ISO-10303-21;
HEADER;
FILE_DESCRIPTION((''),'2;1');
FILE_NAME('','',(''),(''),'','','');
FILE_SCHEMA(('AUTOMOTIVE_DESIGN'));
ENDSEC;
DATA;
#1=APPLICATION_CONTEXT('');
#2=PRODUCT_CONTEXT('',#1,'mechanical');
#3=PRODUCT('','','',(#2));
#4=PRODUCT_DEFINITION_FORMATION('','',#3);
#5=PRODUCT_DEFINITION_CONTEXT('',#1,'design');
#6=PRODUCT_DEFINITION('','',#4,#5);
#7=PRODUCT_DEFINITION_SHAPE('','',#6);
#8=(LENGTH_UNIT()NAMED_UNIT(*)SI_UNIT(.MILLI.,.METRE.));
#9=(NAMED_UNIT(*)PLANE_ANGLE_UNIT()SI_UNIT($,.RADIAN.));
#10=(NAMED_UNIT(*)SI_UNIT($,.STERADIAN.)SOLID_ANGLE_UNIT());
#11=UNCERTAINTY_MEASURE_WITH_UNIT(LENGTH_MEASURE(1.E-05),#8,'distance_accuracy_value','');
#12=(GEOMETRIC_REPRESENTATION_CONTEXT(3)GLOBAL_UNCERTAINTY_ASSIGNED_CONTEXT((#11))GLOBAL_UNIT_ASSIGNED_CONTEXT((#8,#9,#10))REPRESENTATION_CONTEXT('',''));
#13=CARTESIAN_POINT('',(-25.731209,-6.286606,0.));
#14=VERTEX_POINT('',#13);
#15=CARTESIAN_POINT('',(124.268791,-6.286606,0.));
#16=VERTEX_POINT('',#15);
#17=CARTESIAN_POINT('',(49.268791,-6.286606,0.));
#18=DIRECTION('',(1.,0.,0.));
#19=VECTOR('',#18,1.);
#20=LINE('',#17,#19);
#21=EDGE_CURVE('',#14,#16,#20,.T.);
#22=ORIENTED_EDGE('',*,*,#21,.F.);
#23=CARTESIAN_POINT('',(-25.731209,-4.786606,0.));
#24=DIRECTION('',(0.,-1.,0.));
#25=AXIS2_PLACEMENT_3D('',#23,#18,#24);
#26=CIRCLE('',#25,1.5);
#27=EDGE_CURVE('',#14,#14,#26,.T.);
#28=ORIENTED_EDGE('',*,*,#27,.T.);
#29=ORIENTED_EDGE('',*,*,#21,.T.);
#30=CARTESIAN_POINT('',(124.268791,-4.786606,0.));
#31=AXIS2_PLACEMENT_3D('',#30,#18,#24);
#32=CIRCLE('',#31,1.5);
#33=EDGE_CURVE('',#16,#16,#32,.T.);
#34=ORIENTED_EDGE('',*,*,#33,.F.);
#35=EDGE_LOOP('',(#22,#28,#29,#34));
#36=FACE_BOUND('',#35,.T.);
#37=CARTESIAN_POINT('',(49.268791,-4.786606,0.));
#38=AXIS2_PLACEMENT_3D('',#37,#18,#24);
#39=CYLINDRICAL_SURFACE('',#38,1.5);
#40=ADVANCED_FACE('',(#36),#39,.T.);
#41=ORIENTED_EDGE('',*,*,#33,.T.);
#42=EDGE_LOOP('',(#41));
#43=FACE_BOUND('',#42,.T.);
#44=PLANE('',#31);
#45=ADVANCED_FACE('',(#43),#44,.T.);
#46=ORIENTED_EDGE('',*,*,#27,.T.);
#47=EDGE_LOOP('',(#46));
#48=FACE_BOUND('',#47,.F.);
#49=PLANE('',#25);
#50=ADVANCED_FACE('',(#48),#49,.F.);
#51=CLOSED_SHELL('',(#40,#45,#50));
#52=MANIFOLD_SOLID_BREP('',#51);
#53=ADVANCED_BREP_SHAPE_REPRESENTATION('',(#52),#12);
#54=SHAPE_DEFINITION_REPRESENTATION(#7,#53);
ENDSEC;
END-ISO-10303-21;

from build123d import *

# Parameters (mm, degrees)
SKETCH_1_W = 150
SKETCH_1_H = 1.5


with BuildPart() as part:
    # 草图1 → 旋转1 (revolve)
    with BuildSketch(Plane.XY):
        with Locations((49.26879054, -5.536605657)):
            Rectangle(SKETCH_1_W, SKETCH_1_H)
    revolve(axis=Axis((-25.73120946, -4.786605657, 0), (1, 0, 0)))


solid = part.part
